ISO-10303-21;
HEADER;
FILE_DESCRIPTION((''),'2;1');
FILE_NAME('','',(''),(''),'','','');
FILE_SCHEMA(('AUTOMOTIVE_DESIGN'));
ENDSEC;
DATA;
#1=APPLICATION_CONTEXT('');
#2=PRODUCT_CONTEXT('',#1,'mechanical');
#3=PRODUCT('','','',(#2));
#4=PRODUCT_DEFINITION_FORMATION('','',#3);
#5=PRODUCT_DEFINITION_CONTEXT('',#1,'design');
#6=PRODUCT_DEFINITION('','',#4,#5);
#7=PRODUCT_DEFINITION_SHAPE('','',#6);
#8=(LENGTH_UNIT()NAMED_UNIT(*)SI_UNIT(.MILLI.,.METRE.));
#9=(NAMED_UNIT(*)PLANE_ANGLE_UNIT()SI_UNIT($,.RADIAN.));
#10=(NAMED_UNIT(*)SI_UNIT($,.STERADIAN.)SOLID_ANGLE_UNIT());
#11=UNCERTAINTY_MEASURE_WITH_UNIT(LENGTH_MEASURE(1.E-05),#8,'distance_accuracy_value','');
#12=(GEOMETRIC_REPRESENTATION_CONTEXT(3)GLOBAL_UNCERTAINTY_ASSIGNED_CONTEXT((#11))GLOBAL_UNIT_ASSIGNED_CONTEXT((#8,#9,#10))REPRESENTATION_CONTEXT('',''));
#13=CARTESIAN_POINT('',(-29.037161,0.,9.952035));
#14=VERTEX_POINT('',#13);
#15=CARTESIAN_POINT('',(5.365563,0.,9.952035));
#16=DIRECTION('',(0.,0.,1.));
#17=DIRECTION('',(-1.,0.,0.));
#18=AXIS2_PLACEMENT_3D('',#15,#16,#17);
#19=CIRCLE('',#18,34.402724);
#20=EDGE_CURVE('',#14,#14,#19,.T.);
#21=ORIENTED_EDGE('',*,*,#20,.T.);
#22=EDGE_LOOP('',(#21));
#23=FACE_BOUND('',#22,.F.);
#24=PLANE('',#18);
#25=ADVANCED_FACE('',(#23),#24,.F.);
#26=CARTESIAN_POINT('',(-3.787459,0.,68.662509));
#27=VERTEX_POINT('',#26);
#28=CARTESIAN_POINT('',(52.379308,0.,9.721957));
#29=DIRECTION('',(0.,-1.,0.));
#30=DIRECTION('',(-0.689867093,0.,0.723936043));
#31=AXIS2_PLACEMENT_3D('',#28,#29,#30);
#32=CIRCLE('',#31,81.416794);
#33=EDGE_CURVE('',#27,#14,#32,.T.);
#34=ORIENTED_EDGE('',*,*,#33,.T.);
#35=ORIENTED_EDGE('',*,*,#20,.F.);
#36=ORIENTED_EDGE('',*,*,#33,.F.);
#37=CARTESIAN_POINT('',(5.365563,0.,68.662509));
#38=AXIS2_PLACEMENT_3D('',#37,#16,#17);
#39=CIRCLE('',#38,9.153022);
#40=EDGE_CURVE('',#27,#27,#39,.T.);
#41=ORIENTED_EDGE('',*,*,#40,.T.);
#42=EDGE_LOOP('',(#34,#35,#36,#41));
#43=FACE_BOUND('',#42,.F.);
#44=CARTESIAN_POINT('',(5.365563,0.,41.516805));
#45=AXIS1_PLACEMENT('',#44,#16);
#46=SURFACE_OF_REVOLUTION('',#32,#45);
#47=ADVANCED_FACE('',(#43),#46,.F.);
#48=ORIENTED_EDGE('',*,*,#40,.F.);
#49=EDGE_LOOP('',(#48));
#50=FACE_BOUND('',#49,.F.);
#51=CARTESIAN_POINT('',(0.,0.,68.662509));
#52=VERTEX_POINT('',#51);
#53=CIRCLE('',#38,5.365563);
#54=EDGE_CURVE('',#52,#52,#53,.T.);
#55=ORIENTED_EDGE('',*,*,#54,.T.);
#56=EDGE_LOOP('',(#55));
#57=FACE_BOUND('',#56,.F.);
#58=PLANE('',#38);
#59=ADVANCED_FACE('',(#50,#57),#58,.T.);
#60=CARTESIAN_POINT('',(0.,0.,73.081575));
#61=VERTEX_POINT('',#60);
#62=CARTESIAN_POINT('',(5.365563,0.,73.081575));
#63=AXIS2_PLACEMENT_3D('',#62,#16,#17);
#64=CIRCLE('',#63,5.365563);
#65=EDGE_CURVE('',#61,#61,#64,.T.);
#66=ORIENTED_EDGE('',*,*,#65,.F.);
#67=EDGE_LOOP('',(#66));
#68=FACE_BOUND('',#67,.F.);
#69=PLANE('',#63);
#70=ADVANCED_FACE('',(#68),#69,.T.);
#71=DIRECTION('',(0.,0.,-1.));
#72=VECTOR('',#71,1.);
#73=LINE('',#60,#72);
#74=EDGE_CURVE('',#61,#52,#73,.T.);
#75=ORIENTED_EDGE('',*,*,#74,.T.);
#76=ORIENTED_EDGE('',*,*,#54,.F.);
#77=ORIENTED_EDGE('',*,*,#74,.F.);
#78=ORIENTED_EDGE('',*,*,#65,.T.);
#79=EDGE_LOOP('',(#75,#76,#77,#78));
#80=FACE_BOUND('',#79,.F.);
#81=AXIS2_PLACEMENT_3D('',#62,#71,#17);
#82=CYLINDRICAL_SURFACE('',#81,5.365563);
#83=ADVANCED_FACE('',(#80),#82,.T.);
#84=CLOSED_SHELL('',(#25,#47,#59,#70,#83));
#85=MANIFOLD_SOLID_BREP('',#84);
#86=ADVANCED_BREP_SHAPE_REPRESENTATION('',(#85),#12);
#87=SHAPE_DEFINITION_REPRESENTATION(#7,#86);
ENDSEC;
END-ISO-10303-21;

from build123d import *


with BuildPart() as f1:
    # F0 (on Front) → F1 (revolve)
    with BuildSketch(Plane.XZ):
        with BuildLine():
            Line((0, 68.662509), (-3.787459, 68.662509))
            ThreePointArc((-3.787459, 68.662509), (-22.413851, 41.888364), (-29.037161, 9.952035))
            Line((-29.037161, 9.952035), (5.365563, 9.952035))
            Line((5.365563, 9.952035), (5.365563, 73.081575))
            Line((5.365563, 73.081575), (0, 73.081575))
            Line((0, 73.081575), (0, 68.662509))
        make_face()
    revolve(axis=Axis((5.365563, 0, 41.516805), (0, 0, 1)))


solid = f1.part
